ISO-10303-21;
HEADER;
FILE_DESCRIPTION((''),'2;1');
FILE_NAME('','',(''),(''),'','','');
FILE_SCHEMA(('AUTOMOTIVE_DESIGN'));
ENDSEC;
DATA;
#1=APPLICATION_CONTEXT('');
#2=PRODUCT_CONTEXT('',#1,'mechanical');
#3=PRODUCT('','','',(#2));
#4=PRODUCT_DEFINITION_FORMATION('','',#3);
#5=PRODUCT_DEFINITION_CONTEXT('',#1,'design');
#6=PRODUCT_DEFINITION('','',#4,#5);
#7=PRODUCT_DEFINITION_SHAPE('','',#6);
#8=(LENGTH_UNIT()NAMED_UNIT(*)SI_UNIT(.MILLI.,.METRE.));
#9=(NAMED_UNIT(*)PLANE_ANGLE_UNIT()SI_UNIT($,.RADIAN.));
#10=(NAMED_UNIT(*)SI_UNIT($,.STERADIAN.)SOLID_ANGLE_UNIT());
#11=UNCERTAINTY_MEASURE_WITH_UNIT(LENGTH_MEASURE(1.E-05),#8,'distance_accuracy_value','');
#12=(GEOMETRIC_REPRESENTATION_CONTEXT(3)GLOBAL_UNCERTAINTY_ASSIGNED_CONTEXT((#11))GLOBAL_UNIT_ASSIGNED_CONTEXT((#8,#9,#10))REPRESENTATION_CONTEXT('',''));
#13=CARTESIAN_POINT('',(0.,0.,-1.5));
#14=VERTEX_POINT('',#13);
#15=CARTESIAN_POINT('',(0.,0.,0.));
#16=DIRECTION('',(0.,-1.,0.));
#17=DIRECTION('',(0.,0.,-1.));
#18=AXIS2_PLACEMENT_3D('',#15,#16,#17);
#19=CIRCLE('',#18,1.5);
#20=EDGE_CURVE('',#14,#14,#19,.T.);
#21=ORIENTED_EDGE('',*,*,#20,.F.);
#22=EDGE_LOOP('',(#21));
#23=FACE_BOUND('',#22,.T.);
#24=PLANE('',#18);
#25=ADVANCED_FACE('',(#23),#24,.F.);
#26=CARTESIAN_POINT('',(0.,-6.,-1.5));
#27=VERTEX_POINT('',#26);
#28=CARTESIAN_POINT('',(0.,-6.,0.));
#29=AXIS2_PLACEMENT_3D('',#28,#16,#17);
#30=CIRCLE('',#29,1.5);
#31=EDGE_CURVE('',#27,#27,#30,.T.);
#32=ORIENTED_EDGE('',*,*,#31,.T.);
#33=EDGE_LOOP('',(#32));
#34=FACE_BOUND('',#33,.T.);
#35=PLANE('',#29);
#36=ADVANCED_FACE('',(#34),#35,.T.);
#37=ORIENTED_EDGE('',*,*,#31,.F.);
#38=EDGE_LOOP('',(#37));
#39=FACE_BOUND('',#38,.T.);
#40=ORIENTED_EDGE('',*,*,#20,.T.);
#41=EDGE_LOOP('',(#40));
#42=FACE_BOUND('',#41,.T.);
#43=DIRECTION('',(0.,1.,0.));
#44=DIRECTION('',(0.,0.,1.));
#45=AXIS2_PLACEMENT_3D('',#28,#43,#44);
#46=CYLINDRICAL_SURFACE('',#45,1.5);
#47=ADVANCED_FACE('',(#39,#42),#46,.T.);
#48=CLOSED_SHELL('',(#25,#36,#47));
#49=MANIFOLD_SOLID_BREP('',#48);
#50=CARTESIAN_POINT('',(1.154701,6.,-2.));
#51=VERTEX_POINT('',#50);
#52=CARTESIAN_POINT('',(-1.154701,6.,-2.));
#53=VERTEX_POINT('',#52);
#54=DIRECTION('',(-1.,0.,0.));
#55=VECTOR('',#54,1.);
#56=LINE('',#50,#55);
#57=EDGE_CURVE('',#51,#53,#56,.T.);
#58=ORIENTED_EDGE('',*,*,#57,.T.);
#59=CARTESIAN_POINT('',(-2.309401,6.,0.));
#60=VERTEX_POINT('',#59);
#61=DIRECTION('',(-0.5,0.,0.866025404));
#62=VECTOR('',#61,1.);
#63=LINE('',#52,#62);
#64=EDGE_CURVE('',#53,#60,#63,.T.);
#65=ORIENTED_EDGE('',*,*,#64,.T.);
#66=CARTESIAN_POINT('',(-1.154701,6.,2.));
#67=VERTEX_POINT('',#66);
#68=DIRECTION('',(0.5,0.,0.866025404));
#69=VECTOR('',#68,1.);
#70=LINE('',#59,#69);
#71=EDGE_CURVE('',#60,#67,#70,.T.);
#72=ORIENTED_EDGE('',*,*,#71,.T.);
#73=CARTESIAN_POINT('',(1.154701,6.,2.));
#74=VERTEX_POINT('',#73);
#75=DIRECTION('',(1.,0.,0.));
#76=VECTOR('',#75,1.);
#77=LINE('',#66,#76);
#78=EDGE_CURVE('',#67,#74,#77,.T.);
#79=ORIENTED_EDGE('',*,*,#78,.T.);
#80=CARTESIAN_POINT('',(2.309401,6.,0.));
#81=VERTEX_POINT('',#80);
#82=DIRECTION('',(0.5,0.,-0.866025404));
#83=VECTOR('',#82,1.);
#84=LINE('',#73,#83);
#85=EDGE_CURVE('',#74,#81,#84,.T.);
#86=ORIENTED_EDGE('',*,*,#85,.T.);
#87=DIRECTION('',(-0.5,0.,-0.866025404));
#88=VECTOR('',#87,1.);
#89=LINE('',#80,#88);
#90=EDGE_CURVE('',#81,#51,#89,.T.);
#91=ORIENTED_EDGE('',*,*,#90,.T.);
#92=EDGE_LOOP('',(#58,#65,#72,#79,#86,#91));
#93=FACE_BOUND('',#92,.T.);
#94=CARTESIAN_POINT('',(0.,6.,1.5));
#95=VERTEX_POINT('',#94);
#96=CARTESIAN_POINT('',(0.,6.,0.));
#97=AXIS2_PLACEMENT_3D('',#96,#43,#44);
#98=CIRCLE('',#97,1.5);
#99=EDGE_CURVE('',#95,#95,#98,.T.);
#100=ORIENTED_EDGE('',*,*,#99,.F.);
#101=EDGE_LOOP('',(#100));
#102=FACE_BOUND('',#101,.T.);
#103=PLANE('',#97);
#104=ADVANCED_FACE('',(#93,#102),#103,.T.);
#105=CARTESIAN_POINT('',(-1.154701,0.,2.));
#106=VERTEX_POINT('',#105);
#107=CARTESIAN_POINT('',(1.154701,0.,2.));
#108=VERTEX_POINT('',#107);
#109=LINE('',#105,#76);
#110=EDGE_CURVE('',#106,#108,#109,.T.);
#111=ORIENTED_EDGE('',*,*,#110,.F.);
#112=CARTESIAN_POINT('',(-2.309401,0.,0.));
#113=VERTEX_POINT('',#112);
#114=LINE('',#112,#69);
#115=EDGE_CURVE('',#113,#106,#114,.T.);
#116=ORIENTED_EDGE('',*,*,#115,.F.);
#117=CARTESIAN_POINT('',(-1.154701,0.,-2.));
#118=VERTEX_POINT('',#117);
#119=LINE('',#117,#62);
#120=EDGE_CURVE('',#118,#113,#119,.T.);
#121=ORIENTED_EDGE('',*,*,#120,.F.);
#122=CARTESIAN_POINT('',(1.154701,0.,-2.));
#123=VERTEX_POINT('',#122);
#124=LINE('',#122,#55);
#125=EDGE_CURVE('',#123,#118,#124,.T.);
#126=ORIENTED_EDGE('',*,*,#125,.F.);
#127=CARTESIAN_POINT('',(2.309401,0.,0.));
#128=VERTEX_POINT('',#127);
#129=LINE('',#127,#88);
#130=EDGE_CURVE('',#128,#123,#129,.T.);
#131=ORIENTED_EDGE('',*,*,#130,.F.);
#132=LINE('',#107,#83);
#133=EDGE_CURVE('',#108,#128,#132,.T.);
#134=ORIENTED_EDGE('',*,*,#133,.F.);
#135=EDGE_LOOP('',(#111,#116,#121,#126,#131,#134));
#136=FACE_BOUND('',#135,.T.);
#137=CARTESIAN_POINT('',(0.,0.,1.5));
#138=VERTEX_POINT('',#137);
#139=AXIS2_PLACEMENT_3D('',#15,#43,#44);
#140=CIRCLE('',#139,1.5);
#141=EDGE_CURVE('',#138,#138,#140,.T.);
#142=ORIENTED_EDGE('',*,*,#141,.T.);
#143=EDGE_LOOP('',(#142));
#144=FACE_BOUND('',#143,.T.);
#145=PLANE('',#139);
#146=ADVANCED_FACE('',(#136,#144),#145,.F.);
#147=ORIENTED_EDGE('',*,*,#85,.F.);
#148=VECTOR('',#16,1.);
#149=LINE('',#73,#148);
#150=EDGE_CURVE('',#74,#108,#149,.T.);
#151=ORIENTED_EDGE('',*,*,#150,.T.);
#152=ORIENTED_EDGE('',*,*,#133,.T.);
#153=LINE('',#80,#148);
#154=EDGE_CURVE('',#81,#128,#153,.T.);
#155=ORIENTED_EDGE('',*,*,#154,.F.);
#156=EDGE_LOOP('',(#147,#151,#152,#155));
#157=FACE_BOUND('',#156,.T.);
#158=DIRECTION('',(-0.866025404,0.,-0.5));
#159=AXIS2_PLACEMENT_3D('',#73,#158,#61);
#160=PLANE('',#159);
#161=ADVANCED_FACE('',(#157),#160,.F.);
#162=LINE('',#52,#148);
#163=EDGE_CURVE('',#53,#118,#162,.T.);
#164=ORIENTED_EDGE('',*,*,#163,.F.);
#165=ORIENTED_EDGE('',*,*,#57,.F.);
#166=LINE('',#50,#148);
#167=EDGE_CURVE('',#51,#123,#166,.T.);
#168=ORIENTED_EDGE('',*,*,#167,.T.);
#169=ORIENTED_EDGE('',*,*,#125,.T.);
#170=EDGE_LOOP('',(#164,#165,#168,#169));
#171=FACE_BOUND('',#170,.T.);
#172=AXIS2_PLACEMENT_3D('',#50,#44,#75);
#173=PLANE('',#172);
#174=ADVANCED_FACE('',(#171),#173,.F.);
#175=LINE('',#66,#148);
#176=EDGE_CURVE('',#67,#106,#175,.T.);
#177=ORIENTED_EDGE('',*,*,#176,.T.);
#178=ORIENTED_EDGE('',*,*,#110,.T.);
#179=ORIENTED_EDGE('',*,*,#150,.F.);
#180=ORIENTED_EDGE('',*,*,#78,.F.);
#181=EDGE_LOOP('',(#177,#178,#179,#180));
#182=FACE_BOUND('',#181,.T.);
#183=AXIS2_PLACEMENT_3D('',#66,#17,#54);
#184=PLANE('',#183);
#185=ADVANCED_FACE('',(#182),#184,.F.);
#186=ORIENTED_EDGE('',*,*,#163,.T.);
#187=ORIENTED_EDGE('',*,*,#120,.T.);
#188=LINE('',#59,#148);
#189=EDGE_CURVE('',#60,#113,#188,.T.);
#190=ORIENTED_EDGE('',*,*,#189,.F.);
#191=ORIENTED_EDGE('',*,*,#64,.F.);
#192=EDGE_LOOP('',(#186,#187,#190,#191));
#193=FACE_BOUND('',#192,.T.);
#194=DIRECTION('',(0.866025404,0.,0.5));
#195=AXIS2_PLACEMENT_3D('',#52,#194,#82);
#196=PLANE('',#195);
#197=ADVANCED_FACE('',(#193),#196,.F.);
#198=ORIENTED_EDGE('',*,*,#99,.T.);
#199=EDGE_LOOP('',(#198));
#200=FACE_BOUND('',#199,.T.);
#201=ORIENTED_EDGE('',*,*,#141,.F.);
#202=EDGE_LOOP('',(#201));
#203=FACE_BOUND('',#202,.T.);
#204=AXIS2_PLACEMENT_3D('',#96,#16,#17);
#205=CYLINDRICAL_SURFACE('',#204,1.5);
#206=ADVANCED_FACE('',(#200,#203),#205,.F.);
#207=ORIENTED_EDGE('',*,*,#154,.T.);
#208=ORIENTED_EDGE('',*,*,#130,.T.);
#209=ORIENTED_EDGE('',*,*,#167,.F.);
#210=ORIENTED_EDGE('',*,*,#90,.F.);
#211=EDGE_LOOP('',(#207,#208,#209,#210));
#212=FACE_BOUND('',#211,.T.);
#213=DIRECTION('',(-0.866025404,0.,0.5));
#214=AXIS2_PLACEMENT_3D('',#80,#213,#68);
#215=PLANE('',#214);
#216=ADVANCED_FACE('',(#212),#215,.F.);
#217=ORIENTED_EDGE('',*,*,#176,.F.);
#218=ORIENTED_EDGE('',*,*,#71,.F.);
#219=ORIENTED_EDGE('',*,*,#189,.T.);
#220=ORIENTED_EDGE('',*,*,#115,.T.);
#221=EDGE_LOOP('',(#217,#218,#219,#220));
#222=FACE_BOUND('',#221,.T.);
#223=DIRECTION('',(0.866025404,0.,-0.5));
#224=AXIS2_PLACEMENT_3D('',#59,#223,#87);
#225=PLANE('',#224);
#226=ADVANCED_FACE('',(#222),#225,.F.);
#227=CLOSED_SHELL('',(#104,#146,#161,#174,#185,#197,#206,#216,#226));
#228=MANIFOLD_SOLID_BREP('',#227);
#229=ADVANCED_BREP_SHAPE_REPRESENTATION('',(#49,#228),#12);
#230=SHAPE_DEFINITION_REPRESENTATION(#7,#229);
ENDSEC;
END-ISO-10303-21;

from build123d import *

# Parameters (mm, degrees)
SKETCH2_R           = 1.5
BOSS_EXTRUDE1_DEPTH = 6
SKETCH3_R           = 1.5
BOSS_EXTRUDE2_DEPTH = 6


with BuildPart() as part:
    # Sketch2 → Boss-Extrude1 (new body)
    with BuildSketch(Plane(origin=(0, 0, 0), x_dir=(1, 0, 0), z_dir=(0, 1, 0))):
        Polygon((1.154700538, 2), (-1.154700538, 2), (-2.309401077, 0), (-1.154700538, -2), (1.154700538, -2), (2.309401077, 0), align=None)
        Circle(SKETCH2_R, mode=Mode.SUBTRACT)
    extrude(amount=BOSS_EXTRUDE1_DEPTH)


with BuildPart() as body_2:
    # Sketch3 → Boss-Extrude2 (new body)
    with BuildSketch(Plane.XZ):
        Circle(SKETCH3_R)
    extrude(amount=BOSS_EXTRUDE2_DEPTH)


solid = Compound([part.part, body_2.part])
